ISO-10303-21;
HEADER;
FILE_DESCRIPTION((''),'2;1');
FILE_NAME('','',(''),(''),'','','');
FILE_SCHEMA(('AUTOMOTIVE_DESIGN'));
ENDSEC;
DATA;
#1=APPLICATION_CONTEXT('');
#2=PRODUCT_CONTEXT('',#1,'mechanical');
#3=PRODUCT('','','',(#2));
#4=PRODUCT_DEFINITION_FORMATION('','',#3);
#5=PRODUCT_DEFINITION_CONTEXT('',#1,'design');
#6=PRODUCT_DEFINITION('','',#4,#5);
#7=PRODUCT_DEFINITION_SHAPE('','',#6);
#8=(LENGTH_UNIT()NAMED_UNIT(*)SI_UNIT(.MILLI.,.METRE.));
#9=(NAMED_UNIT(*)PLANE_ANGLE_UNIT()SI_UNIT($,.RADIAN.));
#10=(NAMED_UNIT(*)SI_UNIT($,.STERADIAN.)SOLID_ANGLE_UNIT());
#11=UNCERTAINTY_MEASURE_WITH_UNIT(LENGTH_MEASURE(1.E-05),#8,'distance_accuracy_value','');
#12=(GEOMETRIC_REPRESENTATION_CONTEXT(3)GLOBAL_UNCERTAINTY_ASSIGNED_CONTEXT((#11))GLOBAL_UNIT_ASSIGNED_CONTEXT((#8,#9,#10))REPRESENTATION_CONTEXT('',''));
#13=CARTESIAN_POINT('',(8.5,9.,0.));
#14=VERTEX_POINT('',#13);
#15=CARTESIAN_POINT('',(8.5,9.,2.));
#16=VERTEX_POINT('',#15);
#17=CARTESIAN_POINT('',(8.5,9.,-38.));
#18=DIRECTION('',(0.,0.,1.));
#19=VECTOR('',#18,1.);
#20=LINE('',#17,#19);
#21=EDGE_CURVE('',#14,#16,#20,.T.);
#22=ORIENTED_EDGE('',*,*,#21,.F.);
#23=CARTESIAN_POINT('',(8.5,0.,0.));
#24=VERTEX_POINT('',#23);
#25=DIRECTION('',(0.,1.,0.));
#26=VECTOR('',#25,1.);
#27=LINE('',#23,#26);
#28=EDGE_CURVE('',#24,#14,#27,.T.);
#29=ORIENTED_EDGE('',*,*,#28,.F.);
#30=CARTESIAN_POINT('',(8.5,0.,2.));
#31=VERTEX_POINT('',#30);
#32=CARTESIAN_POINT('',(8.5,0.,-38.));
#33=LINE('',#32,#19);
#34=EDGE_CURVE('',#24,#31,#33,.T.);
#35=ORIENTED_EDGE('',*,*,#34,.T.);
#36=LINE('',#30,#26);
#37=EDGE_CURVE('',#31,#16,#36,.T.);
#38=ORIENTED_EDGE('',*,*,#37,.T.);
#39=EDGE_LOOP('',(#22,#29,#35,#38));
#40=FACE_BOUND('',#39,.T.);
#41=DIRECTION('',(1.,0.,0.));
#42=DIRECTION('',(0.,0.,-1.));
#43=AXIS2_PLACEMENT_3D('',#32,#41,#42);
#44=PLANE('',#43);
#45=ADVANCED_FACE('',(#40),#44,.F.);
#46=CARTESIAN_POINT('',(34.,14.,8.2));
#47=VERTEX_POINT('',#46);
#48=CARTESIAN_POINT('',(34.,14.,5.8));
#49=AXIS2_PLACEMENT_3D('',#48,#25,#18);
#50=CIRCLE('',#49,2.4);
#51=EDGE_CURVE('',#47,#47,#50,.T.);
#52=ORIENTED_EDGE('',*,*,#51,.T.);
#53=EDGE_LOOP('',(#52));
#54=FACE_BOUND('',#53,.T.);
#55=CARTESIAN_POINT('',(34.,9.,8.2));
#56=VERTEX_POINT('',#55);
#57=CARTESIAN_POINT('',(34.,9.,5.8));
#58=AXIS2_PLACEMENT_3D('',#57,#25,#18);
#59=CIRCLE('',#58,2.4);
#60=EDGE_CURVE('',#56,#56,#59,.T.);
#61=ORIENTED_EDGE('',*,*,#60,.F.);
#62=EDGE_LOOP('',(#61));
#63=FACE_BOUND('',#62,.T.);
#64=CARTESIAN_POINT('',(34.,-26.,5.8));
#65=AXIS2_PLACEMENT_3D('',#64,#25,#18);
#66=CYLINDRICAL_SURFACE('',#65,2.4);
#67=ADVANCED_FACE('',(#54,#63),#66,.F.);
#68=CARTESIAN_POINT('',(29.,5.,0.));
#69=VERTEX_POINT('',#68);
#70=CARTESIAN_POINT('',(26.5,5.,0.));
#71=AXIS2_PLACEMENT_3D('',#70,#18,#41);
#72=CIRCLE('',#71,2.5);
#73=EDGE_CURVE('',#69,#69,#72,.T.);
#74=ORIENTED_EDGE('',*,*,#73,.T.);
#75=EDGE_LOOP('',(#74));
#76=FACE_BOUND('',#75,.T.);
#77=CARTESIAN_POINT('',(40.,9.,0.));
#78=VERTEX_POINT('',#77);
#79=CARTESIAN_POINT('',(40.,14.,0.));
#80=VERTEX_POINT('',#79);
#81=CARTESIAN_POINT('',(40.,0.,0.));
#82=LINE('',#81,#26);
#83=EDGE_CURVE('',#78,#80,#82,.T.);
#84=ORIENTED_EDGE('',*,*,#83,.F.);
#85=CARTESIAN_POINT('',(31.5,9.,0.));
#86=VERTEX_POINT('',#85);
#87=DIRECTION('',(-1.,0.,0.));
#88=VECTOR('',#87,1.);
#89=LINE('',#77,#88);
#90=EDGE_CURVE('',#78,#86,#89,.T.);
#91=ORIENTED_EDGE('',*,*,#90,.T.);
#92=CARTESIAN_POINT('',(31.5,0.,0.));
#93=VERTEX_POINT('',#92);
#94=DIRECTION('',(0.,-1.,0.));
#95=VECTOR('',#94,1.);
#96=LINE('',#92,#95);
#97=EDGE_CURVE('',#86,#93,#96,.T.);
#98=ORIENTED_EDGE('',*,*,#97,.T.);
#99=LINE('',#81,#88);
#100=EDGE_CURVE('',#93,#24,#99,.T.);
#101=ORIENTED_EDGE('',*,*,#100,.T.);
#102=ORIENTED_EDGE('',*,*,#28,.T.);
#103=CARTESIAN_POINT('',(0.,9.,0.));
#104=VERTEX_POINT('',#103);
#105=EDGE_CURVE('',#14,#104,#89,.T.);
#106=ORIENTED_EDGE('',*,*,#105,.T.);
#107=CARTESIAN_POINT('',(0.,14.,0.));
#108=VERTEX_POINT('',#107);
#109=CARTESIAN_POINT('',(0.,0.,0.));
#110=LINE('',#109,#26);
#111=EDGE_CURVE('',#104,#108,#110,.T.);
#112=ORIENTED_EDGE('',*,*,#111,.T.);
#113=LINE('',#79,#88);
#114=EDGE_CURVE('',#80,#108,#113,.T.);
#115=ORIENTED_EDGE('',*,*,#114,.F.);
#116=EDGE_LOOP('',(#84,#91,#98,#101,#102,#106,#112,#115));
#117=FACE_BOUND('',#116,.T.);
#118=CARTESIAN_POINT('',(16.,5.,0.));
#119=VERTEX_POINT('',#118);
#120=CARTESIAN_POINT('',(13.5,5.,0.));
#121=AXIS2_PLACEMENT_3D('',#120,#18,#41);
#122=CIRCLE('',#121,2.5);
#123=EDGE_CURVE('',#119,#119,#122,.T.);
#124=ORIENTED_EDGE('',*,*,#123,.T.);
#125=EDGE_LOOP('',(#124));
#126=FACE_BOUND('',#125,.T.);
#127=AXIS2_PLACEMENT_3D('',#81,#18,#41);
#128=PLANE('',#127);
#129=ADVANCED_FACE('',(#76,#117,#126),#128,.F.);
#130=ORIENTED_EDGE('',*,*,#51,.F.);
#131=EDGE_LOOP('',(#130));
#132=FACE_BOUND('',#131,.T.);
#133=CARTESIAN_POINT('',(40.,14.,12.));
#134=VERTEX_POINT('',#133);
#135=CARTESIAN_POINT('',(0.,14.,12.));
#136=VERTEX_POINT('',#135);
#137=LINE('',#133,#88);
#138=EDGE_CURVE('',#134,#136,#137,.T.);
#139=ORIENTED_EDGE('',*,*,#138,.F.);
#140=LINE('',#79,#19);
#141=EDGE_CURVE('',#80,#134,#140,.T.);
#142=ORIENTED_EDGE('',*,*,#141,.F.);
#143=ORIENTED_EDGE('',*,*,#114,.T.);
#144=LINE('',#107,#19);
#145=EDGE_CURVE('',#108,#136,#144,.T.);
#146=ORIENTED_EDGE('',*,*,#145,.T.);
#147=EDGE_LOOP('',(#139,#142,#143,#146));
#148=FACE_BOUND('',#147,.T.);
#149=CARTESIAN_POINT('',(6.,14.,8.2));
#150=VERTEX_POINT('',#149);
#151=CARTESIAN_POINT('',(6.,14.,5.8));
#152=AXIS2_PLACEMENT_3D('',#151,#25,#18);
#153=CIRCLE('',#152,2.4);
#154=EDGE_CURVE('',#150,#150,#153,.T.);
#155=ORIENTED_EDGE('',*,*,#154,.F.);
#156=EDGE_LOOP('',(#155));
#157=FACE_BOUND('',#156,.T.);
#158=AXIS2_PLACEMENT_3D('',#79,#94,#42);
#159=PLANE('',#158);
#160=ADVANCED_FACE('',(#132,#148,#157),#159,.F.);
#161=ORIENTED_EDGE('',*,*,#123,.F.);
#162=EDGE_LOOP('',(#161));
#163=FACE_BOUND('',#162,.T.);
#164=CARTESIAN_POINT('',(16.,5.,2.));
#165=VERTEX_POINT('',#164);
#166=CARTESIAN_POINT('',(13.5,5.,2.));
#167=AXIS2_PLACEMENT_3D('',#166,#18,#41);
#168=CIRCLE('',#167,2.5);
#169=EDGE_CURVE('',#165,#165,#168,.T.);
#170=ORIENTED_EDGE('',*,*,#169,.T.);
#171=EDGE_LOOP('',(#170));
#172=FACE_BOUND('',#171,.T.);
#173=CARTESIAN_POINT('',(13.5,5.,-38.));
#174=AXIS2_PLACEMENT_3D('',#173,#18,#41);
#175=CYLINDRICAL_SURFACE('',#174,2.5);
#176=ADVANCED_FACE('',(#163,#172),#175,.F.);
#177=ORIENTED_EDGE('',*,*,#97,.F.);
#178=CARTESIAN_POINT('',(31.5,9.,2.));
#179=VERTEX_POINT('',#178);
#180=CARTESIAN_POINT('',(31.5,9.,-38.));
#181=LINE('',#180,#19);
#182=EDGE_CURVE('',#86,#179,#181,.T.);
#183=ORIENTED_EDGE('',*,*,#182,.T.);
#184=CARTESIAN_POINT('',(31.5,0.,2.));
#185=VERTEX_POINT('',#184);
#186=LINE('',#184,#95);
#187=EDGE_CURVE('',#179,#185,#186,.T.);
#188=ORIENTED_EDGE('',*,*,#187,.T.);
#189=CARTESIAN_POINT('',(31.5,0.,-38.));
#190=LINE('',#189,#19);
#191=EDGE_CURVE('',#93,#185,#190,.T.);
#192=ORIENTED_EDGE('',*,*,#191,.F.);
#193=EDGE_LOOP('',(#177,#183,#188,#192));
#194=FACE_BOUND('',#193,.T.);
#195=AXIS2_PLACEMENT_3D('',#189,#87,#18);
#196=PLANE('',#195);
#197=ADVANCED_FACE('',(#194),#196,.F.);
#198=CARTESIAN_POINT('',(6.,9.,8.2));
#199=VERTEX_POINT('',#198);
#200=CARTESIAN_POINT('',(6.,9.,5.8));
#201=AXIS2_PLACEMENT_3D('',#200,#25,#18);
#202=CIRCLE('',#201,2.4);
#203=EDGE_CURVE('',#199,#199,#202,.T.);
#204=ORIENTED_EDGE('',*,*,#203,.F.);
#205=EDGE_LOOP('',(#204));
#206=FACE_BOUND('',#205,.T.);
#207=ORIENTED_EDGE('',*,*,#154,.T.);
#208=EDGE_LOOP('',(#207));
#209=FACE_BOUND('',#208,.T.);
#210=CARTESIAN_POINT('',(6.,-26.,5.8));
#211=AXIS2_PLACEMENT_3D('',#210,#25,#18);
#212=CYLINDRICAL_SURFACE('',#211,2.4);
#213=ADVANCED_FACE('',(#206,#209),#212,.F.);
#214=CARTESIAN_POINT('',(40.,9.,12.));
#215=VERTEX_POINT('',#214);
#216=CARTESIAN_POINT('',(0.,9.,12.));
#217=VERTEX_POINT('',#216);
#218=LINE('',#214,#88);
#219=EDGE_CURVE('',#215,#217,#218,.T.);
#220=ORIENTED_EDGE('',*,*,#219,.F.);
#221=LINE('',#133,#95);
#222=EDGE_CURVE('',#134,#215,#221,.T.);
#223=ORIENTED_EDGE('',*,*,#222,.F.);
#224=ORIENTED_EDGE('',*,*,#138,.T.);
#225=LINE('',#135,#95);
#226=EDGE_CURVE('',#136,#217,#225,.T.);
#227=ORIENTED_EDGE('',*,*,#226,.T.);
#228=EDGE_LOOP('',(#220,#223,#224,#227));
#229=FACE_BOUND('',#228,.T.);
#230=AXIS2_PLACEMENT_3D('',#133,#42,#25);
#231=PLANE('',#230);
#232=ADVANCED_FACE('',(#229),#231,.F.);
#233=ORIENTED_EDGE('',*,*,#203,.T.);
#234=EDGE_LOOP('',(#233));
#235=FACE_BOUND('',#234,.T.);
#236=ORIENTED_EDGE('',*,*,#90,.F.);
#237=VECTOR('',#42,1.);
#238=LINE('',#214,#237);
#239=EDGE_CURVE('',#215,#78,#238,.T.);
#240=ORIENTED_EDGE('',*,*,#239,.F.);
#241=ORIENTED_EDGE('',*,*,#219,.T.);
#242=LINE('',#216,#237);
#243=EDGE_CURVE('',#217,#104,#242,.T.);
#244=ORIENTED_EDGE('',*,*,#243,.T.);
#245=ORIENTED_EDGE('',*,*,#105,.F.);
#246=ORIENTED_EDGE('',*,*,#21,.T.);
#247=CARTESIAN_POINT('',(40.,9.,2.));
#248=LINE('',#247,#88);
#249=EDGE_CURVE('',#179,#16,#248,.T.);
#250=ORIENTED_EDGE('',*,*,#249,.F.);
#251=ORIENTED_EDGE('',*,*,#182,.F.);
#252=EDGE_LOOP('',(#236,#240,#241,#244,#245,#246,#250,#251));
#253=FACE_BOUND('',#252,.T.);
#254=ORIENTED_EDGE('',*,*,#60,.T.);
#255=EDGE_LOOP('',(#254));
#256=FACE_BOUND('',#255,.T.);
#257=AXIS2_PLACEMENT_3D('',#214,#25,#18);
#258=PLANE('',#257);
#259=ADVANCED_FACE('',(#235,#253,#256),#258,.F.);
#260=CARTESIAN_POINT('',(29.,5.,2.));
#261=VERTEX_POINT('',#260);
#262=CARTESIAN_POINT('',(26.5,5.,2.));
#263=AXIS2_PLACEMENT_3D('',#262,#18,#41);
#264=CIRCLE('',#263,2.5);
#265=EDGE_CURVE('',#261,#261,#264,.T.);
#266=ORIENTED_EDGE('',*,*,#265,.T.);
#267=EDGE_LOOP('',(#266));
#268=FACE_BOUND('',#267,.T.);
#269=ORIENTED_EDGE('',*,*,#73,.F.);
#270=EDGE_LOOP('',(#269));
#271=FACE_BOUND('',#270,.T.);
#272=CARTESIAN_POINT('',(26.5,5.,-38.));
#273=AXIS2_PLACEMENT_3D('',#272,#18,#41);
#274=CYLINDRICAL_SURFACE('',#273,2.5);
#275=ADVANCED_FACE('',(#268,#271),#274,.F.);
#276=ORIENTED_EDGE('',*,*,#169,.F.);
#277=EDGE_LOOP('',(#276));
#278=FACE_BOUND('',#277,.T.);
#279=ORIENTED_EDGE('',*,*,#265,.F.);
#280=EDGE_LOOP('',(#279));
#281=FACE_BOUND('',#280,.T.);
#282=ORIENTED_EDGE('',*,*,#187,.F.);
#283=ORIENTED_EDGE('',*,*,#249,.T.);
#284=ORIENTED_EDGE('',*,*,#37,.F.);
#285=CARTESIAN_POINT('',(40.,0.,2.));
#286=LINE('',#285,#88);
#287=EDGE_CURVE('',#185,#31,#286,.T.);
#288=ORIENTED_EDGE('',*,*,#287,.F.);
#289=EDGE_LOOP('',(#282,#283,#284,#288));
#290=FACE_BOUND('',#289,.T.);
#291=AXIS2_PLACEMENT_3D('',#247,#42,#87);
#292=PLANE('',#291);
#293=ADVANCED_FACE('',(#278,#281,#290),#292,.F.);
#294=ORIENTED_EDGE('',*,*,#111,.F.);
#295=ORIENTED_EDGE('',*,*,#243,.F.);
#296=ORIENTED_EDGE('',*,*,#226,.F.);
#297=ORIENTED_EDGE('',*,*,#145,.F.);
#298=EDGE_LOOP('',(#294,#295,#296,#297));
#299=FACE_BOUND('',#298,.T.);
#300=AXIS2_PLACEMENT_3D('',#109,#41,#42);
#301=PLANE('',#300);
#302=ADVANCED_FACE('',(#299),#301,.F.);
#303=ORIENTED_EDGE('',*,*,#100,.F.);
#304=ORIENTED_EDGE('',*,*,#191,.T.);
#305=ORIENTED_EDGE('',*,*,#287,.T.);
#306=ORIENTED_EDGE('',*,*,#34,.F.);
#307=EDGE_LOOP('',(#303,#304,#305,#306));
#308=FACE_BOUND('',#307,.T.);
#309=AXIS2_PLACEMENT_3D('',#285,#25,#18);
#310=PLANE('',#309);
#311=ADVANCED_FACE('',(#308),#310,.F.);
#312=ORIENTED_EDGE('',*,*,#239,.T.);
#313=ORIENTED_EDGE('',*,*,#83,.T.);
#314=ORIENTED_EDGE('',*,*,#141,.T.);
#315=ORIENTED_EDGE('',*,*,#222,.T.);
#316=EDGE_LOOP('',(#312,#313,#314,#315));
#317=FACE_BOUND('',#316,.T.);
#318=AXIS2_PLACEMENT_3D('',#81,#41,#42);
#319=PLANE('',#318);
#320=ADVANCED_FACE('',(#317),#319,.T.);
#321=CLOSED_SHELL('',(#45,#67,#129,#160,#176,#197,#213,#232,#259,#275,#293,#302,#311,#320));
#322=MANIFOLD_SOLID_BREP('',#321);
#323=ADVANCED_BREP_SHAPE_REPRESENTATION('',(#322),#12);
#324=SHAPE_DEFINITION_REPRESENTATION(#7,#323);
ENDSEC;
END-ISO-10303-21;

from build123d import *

# Parameters (mm, degrees)
BOSS_EXTRU_1_DEPTH      = 40
ESQUISSE2_R             = 2.4
ENL_V_MAT_EXTRU_1_DEPTH = 40
ESQUISSE3_W             = 8.5
ESQUISSE3_H             = 9
ENL_V_MAT_EXTRU_2_DEPTH = 40
ESQUISSE4_R             = 2.5
ENL_V_MAT_EXTRU_3_DEPTH = 40


with BuildPart() as part:
    # Esquisse1 → Boss.-Extru.1 (new body)
    with BuildSketch(Plane(origin=(0, 0, 0), x_dir=(0, 0, -1), z_dir=(1, 0, 0))):
        Polygon((0, 0), (0, 14), (-12, 14), (-12, 9), (-2, 9), (-2, 0), align=None)
    extrude(amount=BOSS_EXTRU_1_DEPTH)

    # Esquisse2 → Enlèv. mat.-Extru.1 (cut)
    with BuildSketch(Plane(origin=(0, 14, 0), x_dir=(1, 0, 0), z_dir=(0, 1, 0))):
        with Locations(Location((34, -5.8, 0), (0, 0, 270))):  # turned: the seam where the file's is
            Circle(ESQUISSE2_R)
        with Locations(Location((6, -5.8, 0), (0, 0, 270))):  # turned: the seam where the file's is
            Circle(ESQUISSE2_R)
    extrude(amount=-ENL_V_MAT_EXTRU_1_DEPTH, mode=Mode.SUBTRACT)

    # Esquisse3 → Enlèv. mat.-Extru.2 (cut)
    with BuildSketch(Plane.XY.offset(2)):
        with Locations((4.25, 4.5)):
            Rectangle(ESQUISSE3_W, ESQUISSE3_H)
        with Locations((35.75, 4.5)):
            Rectangle(ESQUISSE3_W, ESQUISSE3_H)
    extrude(amount=-ENL_V_MAT_EXTRU_2_DEPTH, mode=Mode.SUBTRACT)

    # Esquisse4 → Enlèv. mat.-Extru.3 (cut)
    with BuildSketch(Plane.XY.offset(2)):
        with Locations((26.5, 5)):
            Circle(ESQUISSE4_R)
        with Locations((13.5, 5)):
            Circle(ESQUISSE4_R)
    extrude(amount=-ENL_V_MAT_EXTRU_3_DEPTH, mode=Mode.SUBTRACT)


solid = part.part
